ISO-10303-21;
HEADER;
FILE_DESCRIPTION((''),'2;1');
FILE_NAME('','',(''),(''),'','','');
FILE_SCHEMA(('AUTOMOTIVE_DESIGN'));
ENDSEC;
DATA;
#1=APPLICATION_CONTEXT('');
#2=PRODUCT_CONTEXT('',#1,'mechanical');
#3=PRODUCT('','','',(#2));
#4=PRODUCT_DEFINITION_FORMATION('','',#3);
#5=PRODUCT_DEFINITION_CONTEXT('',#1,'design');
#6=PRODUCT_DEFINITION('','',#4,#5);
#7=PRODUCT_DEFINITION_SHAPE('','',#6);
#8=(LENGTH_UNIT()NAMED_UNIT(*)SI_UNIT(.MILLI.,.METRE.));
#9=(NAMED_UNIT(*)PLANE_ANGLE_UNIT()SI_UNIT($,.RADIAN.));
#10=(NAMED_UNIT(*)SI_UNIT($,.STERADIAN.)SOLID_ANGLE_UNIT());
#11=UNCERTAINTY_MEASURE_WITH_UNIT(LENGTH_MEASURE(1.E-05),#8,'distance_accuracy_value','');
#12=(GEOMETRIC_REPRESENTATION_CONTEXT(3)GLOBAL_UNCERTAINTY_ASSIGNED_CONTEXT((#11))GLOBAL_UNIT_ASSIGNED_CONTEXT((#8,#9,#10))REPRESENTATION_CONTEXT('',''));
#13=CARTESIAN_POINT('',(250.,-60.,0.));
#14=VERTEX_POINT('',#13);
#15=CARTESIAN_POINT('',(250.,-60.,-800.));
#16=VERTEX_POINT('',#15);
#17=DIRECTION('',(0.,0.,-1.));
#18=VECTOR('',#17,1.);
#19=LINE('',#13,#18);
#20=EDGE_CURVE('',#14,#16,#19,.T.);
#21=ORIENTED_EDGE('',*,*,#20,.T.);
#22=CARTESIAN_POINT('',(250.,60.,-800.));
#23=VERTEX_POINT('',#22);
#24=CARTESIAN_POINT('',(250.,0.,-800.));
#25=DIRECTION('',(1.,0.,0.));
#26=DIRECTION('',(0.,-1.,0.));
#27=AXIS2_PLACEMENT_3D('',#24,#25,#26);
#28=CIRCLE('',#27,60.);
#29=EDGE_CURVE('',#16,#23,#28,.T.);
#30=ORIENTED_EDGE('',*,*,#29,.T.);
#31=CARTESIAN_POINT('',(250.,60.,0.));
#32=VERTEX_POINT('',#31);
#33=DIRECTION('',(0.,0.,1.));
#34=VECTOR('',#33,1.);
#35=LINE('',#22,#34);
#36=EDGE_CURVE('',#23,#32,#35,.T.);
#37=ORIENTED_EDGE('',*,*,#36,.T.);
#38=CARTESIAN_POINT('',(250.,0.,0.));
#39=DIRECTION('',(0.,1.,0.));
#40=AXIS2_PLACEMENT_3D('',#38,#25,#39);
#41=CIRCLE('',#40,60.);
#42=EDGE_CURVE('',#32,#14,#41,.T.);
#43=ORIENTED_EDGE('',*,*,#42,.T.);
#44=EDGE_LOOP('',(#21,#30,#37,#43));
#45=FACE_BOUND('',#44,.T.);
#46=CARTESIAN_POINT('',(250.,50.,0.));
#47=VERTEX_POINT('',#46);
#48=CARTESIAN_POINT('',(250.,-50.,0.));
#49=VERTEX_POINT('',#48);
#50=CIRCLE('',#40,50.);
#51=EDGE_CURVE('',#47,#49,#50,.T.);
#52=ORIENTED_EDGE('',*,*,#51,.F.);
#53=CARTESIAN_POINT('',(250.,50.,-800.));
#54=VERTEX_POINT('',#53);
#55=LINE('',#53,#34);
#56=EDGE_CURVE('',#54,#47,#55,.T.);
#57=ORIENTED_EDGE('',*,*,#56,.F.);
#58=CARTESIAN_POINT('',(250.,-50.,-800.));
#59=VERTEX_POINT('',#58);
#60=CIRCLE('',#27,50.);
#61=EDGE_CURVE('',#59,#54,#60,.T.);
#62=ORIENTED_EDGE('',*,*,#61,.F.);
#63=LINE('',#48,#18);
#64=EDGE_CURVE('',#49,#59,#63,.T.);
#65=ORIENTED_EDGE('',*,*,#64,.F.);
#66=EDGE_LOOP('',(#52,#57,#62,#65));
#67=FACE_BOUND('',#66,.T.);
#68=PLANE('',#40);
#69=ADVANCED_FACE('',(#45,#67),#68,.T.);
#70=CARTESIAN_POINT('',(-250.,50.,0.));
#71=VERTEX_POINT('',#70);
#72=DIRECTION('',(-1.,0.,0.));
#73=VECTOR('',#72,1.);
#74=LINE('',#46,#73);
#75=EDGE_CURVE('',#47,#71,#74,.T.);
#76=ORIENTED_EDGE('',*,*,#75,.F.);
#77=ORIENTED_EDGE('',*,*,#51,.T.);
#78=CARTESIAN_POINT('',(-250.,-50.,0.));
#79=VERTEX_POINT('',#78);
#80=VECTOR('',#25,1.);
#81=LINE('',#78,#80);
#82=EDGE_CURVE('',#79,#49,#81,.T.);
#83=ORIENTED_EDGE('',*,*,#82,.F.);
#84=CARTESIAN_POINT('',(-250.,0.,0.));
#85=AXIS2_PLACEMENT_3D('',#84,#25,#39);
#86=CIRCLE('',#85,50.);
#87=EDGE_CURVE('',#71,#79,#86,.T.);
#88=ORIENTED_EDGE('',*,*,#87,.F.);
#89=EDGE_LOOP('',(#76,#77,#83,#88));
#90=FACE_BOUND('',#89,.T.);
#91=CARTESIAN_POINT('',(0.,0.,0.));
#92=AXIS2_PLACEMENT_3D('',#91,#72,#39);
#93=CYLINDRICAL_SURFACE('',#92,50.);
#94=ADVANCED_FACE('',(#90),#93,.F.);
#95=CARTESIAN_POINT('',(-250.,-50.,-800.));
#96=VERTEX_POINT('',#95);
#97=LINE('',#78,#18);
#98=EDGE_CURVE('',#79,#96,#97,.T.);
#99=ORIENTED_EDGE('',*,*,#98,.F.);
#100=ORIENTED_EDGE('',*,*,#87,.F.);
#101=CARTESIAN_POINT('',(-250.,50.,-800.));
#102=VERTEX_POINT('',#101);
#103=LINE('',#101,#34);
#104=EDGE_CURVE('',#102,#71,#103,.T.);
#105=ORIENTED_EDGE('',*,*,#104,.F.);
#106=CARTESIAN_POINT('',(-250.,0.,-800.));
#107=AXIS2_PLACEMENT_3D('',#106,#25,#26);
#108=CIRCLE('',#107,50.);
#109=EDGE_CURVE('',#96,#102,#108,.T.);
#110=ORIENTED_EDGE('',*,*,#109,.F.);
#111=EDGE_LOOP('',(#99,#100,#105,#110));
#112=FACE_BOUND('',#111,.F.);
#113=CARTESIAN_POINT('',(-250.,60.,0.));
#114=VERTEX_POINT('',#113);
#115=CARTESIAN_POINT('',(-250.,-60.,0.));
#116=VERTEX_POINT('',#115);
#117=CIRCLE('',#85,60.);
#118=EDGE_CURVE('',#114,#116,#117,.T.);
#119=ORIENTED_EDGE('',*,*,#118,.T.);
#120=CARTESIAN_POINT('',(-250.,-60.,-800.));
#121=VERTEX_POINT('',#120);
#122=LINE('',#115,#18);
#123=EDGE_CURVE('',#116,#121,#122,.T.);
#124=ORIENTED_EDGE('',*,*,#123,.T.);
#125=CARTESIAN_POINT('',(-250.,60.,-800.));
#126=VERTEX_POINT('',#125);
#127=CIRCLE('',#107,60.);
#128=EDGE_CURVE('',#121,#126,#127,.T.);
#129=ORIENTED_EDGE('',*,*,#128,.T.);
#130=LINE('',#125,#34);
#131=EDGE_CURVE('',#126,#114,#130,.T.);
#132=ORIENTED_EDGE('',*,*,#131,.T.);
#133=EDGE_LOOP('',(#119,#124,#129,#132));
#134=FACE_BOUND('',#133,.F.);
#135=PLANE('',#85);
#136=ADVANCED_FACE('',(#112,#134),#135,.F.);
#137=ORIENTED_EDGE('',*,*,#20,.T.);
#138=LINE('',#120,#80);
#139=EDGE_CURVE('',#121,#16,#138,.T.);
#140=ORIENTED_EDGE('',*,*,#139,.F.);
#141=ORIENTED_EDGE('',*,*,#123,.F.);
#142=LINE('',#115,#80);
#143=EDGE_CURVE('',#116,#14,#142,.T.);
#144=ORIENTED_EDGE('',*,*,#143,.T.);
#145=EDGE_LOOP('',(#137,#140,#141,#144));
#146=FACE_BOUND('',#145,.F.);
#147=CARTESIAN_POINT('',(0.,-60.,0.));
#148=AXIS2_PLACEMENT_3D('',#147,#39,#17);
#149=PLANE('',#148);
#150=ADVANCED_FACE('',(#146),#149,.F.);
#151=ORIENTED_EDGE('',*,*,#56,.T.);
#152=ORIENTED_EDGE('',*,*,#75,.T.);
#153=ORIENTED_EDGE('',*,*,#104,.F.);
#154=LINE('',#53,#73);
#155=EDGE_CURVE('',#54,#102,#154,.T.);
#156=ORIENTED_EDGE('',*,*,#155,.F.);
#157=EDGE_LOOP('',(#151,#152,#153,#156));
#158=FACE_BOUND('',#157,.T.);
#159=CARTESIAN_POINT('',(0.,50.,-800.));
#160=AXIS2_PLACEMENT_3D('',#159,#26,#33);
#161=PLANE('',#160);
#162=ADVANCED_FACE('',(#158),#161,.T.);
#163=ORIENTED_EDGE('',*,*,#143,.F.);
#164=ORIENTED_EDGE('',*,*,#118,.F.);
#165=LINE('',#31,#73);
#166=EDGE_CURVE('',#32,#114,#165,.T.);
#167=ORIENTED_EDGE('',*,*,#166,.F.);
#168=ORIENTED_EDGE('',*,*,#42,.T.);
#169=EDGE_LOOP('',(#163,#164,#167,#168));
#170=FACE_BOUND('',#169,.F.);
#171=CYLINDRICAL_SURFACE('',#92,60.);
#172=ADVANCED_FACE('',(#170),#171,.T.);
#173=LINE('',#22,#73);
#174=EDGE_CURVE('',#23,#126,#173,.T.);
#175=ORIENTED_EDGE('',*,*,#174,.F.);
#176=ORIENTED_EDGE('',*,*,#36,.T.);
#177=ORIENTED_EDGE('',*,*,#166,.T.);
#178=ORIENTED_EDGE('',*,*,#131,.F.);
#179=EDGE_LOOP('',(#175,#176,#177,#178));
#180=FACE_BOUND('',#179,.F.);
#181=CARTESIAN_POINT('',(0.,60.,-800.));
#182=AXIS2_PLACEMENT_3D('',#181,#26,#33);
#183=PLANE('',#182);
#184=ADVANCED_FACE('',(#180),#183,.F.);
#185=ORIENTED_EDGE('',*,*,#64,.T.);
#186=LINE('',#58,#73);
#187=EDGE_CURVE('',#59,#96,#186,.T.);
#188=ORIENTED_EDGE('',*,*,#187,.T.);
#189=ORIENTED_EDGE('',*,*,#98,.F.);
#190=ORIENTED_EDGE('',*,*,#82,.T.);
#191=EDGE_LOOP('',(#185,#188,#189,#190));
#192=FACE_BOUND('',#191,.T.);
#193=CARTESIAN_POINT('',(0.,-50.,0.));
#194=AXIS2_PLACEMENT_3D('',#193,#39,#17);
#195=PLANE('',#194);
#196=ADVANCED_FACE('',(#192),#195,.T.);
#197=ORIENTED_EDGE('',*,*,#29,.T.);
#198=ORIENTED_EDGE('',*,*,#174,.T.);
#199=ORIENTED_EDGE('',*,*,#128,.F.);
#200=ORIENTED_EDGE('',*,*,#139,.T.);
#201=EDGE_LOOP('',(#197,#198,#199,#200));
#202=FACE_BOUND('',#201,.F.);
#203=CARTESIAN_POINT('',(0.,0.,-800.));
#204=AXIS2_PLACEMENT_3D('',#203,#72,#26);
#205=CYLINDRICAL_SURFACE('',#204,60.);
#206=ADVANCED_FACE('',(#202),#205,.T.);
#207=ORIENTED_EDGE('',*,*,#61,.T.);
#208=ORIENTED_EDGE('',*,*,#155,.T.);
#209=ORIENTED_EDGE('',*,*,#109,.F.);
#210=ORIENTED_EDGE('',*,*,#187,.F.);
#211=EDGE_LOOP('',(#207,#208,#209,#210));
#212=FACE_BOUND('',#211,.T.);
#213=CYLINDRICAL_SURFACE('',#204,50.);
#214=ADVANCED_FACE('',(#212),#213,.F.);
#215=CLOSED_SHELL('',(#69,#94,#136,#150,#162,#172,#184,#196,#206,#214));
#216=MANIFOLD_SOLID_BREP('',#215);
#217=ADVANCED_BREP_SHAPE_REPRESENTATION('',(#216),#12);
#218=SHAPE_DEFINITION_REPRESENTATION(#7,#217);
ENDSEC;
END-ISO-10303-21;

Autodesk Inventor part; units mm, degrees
ref_plane "YZ Plane" through (0, 0, 0) normal (1, 0, 0) x (0, 1, 0)
ref_plane "XZ Plane" through (0, 0, 0) normal (0, 1, 0) x (-1, 0, 0)
ref_plane "XY Plane" through (0, 0, 0) normal (0, 0, 1) x (1, 0, 0)
sketch "Skizze1" plane through (0, 0, 0) normal (1, 0, 0) x (0, 1, 0)
  line L0 (0, 0) -> (0, -800) construction
  line L1 (-50, 0) -> (-50, -800)
  line L2 (50, -800) -> (50, 0)
  arc A0 (50, 0) -> (-50, 0) centre (0, 0) ccw
  arc A1 (-50, -800) -> (50, -800) centre (0, -800) ccw
  line L3 (0, 0) -> (0, -800) construction
  line L4 (-60, 0) -> (-60, -800)
  line L5 (60, -800) -> (60, 0)
  arc A2 (60, 0) -> (-60, 0) centre (0, 0) ccw
  arc A3 (-60, -800) -> (60, -800) centre (0, -800) ccw
  point P0 (0, -400)
  point P1 (0, -400)
  dimension "d0" = 10
  dimension "d1" = 800
  dimension "d2" = 100
extrude "Extrusion1" add sketch "Skizze1" along normal mid plane 500
properties part number "Adrian_Förderband"
